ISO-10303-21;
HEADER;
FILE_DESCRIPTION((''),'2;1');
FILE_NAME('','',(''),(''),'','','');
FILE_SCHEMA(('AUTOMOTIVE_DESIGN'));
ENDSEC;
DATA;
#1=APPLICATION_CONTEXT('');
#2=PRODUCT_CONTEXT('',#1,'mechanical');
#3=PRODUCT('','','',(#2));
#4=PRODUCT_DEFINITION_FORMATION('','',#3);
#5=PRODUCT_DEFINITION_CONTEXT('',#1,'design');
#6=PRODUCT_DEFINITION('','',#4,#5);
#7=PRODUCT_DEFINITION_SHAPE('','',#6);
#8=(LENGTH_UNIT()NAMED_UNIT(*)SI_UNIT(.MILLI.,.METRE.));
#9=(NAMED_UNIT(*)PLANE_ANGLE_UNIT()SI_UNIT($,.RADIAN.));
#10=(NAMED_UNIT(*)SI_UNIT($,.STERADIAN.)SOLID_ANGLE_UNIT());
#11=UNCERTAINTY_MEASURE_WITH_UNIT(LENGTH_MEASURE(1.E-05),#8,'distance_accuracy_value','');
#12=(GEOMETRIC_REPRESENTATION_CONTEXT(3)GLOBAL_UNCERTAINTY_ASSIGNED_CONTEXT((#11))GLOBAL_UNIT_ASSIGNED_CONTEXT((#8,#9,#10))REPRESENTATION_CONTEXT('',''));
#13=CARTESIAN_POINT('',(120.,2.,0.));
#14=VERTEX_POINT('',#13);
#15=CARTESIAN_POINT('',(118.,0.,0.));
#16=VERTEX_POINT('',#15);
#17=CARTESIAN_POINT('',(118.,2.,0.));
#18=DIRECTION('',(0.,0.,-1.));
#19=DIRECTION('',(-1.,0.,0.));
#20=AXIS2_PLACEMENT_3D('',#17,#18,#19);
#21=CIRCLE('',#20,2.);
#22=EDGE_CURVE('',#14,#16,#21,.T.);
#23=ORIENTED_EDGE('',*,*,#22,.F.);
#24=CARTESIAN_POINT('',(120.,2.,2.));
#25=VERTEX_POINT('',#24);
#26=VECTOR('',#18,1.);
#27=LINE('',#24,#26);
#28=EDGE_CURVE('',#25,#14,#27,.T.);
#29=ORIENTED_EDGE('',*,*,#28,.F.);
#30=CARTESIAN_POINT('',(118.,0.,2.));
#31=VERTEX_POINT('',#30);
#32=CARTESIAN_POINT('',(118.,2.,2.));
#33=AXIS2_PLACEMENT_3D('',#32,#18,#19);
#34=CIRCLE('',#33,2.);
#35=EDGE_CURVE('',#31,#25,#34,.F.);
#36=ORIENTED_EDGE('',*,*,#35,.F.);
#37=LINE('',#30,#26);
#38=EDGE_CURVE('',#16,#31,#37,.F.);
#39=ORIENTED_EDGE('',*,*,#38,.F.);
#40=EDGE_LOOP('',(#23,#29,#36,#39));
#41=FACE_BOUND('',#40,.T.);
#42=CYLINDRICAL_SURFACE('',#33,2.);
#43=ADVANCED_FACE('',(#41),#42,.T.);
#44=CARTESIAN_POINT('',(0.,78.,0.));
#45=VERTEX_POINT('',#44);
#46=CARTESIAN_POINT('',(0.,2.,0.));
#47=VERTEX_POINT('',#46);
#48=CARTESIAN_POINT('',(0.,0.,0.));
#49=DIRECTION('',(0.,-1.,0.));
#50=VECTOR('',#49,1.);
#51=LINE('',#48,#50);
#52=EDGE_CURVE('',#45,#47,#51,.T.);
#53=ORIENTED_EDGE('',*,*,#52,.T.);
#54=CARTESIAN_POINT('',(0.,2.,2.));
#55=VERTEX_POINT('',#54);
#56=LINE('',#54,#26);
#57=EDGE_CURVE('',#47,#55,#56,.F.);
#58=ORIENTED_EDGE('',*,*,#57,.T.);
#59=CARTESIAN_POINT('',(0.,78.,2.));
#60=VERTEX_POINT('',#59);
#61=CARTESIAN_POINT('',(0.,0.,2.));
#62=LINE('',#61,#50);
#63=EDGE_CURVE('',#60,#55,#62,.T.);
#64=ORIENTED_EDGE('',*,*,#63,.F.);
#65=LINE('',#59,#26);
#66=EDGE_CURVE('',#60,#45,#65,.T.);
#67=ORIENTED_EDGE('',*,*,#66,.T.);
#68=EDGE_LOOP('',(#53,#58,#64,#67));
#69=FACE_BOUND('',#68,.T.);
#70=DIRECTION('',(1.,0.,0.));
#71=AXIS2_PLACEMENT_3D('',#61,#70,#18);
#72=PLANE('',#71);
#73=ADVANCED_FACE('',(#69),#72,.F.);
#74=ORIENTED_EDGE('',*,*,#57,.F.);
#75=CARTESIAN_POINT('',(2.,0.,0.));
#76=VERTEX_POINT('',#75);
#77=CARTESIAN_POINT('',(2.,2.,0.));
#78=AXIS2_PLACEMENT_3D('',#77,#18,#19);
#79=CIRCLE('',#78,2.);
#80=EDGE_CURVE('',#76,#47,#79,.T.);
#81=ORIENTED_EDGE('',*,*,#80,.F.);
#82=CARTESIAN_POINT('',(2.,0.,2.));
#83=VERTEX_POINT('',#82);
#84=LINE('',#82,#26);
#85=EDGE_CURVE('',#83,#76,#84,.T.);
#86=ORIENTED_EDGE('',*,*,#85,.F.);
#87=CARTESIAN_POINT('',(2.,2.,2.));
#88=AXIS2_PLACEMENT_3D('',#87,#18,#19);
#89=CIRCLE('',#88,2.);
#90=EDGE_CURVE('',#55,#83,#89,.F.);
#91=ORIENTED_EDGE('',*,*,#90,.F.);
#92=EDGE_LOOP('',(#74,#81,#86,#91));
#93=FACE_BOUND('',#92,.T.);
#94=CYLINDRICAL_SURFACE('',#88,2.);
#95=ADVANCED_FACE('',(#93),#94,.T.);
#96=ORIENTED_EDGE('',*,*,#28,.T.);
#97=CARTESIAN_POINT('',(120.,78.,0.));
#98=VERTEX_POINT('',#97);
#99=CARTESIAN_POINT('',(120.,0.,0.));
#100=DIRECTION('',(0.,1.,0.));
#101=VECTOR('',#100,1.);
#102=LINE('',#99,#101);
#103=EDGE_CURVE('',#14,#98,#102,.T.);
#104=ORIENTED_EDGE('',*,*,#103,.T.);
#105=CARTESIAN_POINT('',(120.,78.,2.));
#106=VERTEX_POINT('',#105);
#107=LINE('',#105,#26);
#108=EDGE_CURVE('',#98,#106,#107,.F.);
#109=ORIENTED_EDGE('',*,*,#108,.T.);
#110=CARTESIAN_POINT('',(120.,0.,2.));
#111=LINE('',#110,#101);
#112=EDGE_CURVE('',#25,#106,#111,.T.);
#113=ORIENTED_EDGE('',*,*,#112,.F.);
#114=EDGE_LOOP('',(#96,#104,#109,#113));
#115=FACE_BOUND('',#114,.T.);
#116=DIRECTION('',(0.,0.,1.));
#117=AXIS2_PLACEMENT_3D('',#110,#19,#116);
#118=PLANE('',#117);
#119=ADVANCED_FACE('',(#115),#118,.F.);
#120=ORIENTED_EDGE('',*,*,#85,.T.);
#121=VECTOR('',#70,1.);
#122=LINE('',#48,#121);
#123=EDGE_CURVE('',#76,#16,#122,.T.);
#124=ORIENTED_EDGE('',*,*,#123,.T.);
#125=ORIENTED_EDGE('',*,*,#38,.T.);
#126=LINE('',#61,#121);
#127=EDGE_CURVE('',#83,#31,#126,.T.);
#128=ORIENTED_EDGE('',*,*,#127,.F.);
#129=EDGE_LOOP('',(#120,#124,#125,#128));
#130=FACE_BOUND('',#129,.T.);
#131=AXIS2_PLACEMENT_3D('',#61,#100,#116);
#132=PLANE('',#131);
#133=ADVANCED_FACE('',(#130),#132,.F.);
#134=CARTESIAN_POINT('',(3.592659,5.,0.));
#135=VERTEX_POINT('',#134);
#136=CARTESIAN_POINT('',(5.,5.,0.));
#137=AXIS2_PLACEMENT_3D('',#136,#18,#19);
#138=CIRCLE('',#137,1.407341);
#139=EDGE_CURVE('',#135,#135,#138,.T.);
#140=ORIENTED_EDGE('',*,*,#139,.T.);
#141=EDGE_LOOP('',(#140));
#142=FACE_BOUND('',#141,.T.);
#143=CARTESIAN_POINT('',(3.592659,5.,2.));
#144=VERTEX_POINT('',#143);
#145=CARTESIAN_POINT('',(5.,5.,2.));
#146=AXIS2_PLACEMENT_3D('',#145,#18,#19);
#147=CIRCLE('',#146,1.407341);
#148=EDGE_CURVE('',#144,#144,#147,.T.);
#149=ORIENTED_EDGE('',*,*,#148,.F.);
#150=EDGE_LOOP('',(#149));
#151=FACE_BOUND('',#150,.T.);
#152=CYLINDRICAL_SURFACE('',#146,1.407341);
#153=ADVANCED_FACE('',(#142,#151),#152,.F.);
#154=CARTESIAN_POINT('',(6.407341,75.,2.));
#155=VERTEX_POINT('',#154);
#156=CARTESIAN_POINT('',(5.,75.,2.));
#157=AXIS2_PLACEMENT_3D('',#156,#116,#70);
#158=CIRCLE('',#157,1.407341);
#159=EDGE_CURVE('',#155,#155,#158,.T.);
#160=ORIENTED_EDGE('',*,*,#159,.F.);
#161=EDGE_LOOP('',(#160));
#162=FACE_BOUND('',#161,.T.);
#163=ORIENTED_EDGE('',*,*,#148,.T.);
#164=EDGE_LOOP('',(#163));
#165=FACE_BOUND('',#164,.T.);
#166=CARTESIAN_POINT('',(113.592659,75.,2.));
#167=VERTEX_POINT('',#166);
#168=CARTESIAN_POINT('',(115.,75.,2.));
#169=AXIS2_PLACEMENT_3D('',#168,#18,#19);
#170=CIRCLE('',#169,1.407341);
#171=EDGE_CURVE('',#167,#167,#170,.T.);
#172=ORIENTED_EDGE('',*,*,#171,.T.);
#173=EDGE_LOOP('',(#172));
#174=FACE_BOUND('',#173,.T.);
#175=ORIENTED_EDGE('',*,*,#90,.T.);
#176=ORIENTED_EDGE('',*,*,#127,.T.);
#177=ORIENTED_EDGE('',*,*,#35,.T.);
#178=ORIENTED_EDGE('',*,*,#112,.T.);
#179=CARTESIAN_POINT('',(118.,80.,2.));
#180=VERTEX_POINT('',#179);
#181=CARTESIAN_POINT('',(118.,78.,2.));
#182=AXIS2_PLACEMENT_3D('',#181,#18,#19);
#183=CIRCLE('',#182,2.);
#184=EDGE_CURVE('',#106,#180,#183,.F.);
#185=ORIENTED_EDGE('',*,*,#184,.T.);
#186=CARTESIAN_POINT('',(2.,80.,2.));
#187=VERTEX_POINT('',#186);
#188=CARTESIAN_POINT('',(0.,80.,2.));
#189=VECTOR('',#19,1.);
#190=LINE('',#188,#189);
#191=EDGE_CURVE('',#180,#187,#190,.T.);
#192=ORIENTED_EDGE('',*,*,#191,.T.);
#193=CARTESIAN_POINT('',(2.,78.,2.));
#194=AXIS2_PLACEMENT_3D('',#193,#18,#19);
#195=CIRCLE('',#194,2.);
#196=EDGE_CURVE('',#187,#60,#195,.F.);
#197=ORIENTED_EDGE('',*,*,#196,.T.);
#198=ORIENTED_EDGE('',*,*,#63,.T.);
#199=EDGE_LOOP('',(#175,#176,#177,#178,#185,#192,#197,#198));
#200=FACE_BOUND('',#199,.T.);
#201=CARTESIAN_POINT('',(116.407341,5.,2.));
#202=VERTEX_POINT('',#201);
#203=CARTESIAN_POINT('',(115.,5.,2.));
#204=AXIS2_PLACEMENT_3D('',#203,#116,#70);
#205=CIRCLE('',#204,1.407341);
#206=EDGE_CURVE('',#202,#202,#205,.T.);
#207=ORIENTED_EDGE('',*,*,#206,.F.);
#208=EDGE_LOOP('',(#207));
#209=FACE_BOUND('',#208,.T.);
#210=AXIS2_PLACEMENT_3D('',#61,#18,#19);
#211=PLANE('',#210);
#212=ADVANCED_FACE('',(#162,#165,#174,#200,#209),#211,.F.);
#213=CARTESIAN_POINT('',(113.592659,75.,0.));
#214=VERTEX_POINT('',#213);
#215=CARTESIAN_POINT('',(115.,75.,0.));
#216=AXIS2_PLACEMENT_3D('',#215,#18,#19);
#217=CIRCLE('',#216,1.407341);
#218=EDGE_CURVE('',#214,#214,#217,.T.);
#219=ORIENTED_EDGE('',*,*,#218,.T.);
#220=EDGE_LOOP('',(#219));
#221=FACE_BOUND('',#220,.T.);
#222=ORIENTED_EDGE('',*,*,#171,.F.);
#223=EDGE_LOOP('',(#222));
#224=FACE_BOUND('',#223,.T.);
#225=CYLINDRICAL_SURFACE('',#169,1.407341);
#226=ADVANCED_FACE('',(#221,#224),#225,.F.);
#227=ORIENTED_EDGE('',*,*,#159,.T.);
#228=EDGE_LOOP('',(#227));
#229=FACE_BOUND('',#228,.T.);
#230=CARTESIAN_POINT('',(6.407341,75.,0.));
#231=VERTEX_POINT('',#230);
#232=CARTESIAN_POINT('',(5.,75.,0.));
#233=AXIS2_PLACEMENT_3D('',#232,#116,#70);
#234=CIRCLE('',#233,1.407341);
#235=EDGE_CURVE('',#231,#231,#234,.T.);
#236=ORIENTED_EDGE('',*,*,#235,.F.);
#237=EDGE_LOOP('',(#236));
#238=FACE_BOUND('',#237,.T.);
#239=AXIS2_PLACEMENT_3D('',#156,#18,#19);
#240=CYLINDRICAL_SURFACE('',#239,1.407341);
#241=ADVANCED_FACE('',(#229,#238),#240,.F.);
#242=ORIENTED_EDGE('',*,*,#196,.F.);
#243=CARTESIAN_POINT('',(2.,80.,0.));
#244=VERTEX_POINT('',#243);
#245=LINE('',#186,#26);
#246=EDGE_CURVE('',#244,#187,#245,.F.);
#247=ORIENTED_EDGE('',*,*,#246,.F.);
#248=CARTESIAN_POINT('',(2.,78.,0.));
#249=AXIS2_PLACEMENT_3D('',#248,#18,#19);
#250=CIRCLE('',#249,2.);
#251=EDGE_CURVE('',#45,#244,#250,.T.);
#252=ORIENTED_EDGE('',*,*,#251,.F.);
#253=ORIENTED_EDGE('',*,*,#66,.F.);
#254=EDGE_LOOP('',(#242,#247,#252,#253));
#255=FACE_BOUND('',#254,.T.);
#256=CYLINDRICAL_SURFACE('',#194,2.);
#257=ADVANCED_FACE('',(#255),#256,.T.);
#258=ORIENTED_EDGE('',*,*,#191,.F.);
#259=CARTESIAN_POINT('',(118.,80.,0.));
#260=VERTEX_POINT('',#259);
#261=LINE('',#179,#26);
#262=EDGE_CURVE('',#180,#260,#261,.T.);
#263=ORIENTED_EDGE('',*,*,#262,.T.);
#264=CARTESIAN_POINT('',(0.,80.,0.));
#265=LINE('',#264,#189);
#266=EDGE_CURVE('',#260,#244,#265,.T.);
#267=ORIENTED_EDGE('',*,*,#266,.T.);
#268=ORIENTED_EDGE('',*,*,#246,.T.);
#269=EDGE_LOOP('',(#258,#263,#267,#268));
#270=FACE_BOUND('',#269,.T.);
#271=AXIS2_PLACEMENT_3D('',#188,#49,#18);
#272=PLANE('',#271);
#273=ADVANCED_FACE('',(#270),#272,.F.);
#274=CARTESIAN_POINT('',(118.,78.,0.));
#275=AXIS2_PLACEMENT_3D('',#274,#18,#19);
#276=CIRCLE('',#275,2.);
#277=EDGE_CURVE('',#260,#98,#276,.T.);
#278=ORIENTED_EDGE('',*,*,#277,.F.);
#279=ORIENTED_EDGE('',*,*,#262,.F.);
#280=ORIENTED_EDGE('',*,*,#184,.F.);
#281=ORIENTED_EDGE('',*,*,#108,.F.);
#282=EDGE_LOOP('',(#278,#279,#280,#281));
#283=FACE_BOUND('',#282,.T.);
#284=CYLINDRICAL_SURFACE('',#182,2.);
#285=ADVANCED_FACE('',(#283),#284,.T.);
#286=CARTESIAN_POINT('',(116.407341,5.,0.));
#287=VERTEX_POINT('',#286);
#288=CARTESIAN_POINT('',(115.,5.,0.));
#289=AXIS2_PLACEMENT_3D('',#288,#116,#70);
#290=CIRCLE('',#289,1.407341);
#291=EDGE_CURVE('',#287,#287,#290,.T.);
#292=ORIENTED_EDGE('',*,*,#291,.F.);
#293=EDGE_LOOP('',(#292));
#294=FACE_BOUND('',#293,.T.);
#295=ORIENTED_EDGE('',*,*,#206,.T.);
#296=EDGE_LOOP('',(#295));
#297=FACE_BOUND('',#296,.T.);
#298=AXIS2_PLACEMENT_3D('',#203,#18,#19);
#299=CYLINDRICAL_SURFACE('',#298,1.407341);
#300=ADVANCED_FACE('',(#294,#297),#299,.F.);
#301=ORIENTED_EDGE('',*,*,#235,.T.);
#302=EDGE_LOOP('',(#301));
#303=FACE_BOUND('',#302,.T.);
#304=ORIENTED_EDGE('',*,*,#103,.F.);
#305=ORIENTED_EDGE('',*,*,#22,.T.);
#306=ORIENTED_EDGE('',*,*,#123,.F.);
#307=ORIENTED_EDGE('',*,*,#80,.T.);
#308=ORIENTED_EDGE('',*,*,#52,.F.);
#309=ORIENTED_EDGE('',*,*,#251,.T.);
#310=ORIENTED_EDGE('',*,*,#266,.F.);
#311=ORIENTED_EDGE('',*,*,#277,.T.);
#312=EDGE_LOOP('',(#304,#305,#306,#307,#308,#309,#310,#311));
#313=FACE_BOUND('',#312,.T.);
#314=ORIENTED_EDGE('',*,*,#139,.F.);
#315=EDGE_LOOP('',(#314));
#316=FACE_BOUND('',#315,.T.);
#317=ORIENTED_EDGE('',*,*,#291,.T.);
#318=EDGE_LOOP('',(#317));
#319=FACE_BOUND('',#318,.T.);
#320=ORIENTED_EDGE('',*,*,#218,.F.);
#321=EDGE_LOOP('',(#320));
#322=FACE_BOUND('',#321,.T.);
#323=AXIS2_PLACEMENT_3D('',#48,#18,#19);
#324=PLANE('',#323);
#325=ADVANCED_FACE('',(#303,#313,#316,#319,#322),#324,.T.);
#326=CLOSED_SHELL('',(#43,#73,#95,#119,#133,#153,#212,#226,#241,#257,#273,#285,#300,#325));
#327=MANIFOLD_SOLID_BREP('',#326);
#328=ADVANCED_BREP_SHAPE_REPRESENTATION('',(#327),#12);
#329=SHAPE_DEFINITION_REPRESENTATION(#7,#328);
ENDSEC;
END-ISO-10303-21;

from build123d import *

# Parameters (mm, degrees)
ESQUISSE1_W             = 120
ESQUISSE1_H             = 80
BOSS_EXTRU_1_DEPTH      = 2
CONG_4_R                = 2
CONG_5_R                = 2
ESQUISSE2_R             = 1.407340655
ENL_V_MAT_EXTRU_1_DEPTH = 3


with BuildPart() as part:
    # Esquisse1 → Boss.-Extru.1 (new body)
    with BuildSketch(Plane.XY):
        with Locations((60, 40)):
            Rectangle(ESQUISSE1_W, ESQUISSE1_H)
    extrude(amount=BOSS_EXTRU_1_DEPTH)

    # Congé4
    cong_4_edges = [part.edges().sort_by_distance(p)[0] for p in [
        (0, 0, 1),
    ]]
    fillet(cong_4_edges, radius=CONG_4_R)

    # Congé5
    cong_5_edges = [part.edges().sort_by_distance(p)[0] for p in [
        (0, 80, 1),
        (120, 80, 1),
        (120, 0, 1),
    ]]
    fillet(cong_5_edges, radius=CONG_5_R)

    # Esquisse2 → Enlèv. mat.-Extru.1 (cut, through all)
    with BuildSketch(Plane.XY):
        with Locations((5, 75)):
            Circle(ESQUISSE2_R)
        with Locations((5, 5)):
            Circle(ESQUISSE2_R)
        with Locations((115, 5)):
            Circle(ESQUISSE2_R)
        with Locations((115, 75)):
            Circle(ESQUISSE2_R)
    extrude(amount=ENL_V_MAT_EXTRU_1_DEPTH, mode=Mode.SUBTRACT)


solid = part.part
